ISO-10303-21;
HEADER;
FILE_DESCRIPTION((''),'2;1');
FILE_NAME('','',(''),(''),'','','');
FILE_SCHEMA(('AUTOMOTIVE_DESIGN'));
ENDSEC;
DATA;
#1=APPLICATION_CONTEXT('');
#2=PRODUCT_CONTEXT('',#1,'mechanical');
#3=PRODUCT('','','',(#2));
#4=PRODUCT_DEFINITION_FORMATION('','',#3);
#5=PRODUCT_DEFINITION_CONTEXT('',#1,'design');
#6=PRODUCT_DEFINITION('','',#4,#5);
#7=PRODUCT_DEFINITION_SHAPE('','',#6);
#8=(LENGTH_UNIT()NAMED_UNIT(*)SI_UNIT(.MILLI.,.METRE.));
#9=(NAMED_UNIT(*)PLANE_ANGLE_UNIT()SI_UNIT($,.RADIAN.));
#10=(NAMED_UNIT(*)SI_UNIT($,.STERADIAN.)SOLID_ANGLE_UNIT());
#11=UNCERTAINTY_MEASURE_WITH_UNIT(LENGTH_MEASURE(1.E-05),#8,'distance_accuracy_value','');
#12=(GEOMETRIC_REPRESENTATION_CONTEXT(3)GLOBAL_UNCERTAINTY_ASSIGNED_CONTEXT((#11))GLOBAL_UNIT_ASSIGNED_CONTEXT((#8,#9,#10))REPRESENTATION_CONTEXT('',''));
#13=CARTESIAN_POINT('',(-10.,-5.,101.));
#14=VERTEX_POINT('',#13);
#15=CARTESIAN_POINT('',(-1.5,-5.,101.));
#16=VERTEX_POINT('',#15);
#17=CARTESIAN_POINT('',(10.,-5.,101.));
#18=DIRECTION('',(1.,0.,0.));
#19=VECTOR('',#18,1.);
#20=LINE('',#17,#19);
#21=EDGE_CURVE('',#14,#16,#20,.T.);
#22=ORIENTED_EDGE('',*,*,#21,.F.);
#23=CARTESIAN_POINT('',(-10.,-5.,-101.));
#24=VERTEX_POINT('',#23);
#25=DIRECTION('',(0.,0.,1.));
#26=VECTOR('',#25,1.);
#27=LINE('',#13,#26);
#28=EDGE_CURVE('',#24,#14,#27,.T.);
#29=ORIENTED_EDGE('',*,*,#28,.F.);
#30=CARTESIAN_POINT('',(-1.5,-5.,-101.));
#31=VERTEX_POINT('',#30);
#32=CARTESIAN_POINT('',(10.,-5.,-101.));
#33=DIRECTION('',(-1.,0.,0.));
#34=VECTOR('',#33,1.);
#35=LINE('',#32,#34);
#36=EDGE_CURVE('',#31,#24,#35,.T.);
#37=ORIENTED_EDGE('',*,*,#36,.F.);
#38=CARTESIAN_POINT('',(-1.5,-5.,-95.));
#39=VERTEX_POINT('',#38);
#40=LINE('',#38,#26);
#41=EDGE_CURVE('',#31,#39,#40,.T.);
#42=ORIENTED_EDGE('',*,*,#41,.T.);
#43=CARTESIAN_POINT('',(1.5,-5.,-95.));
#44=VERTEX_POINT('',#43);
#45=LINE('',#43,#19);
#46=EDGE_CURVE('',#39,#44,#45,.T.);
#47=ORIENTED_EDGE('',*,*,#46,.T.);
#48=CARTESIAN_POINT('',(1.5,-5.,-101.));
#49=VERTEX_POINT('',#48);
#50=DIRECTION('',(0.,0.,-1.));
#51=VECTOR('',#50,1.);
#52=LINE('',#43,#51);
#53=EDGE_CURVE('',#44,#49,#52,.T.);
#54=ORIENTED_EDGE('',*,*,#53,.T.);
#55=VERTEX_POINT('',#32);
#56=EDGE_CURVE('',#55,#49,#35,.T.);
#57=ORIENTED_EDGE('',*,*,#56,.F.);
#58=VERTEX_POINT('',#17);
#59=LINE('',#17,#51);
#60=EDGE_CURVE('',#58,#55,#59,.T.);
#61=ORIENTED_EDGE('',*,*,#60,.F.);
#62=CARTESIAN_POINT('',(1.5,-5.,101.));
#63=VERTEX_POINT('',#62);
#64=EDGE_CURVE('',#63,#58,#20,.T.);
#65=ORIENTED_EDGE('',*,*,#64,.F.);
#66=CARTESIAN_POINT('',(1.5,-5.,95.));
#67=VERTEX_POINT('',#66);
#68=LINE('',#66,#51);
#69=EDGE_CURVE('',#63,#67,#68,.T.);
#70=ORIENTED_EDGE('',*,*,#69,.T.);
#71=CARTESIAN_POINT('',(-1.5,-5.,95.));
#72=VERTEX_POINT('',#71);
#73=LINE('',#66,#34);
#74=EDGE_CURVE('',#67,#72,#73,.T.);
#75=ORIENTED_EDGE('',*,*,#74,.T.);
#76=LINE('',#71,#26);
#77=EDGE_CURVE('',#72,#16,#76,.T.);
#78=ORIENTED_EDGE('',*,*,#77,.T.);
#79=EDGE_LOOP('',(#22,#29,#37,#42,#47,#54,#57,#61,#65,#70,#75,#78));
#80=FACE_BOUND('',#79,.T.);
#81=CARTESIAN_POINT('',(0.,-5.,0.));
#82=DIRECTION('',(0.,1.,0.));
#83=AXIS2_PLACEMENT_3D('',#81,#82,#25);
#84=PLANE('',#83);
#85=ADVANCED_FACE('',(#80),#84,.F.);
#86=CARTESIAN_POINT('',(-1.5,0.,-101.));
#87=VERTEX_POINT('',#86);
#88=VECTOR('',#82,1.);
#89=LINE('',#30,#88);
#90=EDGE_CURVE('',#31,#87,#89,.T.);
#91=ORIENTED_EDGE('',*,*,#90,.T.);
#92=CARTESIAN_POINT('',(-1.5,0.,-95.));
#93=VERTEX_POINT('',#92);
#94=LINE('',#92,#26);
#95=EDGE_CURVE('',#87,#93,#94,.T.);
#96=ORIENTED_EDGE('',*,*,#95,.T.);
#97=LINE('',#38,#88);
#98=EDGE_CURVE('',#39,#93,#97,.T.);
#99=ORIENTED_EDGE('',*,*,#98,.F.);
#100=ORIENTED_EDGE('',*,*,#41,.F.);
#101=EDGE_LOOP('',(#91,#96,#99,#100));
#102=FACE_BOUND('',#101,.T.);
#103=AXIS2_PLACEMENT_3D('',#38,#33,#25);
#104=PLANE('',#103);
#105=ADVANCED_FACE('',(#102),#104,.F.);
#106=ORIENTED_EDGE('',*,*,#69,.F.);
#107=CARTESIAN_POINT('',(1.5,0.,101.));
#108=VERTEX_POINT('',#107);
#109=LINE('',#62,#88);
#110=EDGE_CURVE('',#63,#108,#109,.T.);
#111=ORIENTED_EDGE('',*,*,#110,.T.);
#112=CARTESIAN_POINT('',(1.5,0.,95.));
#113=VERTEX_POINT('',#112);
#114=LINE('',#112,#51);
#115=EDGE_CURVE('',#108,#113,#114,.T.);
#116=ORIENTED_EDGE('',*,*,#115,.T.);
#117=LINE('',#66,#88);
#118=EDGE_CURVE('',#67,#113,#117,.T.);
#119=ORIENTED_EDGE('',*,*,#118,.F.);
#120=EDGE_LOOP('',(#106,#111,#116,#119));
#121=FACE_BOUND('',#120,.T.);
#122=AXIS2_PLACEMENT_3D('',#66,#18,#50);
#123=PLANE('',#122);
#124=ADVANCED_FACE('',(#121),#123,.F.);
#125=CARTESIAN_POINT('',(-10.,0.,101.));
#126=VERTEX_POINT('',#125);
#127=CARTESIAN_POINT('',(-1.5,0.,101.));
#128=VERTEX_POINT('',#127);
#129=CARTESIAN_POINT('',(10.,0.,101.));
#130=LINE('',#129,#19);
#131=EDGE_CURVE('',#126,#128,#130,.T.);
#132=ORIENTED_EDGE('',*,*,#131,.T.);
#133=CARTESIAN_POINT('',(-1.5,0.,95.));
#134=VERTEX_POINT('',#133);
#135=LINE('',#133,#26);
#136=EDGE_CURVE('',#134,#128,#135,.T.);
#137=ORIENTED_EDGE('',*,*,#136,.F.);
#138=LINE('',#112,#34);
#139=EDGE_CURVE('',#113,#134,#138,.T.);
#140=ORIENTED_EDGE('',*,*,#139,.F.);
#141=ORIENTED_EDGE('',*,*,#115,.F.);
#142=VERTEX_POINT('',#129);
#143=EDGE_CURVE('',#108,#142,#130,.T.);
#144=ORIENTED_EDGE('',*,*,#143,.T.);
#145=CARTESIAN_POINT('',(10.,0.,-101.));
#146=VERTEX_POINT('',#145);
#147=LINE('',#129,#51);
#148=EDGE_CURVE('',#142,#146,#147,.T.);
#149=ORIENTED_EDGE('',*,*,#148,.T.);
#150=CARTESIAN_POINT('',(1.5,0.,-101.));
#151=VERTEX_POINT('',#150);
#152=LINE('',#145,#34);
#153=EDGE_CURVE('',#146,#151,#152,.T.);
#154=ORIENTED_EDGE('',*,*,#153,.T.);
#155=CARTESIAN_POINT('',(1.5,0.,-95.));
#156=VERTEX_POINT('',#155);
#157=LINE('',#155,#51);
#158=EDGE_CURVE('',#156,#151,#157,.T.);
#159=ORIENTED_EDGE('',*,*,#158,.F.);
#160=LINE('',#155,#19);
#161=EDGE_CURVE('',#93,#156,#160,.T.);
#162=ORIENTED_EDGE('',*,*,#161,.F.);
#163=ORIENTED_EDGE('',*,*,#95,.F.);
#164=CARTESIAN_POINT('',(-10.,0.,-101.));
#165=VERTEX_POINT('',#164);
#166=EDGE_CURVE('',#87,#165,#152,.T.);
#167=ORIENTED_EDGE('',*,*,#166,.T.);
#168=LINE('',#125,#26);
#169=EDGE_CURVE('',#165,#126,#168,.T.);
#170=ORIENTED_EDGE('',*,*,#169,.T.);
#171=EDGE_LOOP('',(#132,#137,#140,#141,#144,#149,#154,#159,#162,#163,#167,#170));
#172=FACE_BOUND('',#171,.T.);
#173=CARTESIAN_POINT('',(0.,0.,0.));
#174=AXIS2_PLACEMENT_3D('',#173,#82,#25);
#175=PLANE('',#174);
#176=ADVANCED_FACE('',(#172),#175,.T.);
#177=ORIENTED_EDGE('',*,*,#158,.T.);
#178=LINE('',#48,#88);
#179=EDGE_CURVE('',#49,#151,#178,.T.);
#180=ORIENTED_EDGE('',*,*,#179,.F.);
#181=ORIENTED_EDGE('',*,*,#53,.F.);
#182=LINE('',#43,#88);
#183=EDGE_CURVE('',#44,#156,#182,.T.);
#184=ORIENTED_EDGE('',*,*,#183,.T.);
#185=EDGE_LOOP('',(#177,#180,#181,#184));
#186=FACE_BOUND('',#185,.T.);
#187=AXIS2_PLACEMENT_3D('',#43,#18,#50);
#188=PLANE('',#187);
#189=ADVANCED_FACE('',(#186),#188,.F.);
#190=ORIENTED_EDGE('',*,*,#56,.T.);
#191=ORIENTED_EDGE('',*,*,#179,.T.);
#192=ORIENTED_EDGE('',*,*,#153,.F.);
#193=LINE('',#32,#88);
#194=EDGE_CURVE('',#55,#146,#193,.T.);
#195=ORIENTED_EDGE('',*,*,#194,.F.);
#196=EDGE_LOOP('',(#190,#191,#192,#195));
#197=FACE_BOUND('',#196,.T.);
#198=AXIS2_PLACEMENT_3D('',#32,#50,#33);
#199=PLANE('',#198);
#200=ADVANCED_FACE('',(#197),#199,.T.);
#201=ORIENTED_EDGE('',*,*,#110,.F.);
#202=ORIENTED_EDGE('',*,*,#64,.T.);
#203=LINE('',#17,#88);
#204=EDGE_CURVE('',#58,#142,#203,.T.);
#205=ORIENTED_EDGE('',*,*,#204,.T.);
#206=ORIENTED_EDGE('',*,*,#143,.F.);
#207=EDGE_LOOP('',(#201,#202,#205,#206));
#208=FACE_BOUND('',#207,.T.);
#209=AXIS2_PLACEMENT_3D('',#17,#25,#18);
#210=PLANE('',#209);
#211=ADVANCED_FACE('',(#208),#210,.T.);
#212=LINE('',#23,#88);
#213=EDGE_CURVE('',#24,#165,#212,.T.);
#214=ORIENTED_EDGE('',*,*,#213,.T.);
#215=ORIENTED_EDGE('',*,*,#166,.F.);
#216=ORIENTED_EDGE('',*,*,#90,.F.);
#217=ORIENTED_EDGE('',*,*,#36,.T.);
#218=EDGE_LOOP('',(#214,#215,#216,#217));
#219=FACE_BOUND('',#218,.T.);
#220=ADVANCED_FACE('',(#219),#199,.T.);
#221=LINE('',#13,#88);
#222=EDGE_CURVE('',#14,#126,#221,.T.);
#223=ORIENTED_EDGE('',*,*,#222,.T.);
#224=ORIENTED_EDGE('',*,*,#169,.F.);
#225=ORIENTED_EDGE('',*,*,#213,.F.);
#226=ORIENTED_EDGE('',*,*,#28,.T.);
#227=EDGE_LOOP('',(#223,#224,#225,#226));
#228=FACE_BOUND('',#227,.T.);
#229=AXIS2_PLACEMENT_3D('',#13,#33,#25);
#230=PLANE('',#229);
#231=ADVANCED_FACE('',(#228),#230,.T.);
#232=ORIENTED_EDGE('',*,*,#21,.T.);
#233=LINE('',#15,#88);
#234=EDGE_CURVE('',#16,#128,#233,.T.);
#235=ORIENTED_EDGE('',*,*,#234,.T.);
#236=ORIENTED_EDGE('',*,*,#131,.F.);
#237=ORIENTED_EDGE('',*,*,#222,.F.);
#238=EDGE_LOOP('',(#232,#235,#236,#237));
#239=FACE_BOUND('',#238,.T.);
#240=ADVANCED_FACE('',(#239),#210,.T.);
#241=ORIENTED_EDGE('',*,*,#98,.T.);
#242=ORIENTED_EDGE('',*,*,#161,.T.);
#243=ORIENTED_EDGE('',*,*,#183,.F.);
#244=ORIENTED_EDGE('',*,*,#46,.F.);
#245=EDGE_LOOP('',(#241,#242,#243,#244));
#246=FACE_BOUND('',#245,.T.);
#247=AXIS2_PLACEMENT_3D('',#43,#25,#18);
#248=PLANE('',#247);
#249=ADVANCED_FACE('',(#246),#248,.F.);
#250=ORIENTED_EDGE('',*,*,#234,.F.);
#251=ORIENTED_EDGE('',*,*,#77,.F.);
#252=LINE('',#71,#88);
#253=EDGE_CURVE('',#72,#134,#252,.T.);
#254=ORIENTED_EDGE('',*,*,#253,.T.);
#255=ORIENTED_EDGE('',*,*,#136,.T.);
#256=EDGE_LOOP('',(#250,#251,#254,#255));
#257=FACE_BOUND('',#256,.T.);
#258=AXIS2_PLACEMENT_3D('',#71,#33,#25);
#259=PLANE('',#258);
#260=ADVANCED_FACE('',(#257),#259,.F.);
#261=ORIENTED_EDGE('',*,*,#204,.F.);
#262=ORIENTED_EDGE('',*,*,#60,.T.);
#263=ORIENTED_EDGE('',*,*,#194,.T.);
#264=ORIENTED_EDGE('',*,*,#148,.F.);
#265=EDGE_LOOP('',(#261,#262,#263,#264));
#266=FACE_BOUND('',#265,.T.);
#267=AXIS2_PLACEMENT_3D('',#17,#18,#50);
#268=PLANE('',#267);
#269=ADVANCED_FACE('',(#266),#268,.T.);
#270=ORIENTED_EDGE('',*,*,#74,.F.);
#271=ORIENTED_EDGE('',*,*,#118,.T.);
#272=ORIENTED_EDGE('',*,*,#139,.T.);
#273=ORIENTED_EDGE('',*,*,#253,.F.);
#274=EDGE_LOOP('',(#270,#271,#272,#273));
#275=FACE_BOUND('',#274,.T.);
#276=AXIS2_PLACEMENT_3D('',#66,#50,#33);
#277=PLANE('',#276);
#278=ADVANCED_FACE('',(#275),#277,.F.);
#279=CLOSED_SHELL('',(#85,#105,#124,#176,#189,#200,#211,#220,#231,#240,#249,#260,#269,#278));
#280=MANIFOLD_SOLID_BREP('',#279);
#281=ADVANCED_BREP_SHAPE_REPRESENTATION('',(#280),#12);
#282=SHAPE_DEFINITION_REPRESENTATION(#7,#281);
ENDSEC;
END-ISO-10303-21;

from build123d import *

# Parameters (mm, degrees)
SKETCH1_W           = 20
SKETCH1_H           = 202
BOSS_EXTRUDE1_DEPTH = 5
SKETCH2_W           = 3
SKETCH2_H           = 6
CUT_EXTRUDE1_DEPTH  = 102.616927724


with BuildPart() as part:
    # Sketch1 → Boss-Extrude1 (new body)
    with BuildSketch(Plane(origin=(0, 0, 0), x_dir=(1, 0, 0), z_dir=(0, 1, 0))):
        Rectangle(SKETCH1_W, SKETCH1_H)
    extrude(amount=-BOSS_EXTRUDE1_DEPTH)

    # Sketch2 → Cut-Extrude1 (cut, through all)
    with BuildSketch(Plane(origin=(0, 0, 0), x_dir=(1, 0, 0), z_dir=(0, 1, 0))):
        with Locations((0, -98)):
            Rectangle(SKETCH2_W, SKETCH2_H)
        with Locations((0, 98)):
            Rectangle(SKETCH2_W, SKETCH2_H)
    extrude(amount=-CUT_EXTRUDE1_DEPTH, mode=Mode.SUBTRACT)


solid = part.part
